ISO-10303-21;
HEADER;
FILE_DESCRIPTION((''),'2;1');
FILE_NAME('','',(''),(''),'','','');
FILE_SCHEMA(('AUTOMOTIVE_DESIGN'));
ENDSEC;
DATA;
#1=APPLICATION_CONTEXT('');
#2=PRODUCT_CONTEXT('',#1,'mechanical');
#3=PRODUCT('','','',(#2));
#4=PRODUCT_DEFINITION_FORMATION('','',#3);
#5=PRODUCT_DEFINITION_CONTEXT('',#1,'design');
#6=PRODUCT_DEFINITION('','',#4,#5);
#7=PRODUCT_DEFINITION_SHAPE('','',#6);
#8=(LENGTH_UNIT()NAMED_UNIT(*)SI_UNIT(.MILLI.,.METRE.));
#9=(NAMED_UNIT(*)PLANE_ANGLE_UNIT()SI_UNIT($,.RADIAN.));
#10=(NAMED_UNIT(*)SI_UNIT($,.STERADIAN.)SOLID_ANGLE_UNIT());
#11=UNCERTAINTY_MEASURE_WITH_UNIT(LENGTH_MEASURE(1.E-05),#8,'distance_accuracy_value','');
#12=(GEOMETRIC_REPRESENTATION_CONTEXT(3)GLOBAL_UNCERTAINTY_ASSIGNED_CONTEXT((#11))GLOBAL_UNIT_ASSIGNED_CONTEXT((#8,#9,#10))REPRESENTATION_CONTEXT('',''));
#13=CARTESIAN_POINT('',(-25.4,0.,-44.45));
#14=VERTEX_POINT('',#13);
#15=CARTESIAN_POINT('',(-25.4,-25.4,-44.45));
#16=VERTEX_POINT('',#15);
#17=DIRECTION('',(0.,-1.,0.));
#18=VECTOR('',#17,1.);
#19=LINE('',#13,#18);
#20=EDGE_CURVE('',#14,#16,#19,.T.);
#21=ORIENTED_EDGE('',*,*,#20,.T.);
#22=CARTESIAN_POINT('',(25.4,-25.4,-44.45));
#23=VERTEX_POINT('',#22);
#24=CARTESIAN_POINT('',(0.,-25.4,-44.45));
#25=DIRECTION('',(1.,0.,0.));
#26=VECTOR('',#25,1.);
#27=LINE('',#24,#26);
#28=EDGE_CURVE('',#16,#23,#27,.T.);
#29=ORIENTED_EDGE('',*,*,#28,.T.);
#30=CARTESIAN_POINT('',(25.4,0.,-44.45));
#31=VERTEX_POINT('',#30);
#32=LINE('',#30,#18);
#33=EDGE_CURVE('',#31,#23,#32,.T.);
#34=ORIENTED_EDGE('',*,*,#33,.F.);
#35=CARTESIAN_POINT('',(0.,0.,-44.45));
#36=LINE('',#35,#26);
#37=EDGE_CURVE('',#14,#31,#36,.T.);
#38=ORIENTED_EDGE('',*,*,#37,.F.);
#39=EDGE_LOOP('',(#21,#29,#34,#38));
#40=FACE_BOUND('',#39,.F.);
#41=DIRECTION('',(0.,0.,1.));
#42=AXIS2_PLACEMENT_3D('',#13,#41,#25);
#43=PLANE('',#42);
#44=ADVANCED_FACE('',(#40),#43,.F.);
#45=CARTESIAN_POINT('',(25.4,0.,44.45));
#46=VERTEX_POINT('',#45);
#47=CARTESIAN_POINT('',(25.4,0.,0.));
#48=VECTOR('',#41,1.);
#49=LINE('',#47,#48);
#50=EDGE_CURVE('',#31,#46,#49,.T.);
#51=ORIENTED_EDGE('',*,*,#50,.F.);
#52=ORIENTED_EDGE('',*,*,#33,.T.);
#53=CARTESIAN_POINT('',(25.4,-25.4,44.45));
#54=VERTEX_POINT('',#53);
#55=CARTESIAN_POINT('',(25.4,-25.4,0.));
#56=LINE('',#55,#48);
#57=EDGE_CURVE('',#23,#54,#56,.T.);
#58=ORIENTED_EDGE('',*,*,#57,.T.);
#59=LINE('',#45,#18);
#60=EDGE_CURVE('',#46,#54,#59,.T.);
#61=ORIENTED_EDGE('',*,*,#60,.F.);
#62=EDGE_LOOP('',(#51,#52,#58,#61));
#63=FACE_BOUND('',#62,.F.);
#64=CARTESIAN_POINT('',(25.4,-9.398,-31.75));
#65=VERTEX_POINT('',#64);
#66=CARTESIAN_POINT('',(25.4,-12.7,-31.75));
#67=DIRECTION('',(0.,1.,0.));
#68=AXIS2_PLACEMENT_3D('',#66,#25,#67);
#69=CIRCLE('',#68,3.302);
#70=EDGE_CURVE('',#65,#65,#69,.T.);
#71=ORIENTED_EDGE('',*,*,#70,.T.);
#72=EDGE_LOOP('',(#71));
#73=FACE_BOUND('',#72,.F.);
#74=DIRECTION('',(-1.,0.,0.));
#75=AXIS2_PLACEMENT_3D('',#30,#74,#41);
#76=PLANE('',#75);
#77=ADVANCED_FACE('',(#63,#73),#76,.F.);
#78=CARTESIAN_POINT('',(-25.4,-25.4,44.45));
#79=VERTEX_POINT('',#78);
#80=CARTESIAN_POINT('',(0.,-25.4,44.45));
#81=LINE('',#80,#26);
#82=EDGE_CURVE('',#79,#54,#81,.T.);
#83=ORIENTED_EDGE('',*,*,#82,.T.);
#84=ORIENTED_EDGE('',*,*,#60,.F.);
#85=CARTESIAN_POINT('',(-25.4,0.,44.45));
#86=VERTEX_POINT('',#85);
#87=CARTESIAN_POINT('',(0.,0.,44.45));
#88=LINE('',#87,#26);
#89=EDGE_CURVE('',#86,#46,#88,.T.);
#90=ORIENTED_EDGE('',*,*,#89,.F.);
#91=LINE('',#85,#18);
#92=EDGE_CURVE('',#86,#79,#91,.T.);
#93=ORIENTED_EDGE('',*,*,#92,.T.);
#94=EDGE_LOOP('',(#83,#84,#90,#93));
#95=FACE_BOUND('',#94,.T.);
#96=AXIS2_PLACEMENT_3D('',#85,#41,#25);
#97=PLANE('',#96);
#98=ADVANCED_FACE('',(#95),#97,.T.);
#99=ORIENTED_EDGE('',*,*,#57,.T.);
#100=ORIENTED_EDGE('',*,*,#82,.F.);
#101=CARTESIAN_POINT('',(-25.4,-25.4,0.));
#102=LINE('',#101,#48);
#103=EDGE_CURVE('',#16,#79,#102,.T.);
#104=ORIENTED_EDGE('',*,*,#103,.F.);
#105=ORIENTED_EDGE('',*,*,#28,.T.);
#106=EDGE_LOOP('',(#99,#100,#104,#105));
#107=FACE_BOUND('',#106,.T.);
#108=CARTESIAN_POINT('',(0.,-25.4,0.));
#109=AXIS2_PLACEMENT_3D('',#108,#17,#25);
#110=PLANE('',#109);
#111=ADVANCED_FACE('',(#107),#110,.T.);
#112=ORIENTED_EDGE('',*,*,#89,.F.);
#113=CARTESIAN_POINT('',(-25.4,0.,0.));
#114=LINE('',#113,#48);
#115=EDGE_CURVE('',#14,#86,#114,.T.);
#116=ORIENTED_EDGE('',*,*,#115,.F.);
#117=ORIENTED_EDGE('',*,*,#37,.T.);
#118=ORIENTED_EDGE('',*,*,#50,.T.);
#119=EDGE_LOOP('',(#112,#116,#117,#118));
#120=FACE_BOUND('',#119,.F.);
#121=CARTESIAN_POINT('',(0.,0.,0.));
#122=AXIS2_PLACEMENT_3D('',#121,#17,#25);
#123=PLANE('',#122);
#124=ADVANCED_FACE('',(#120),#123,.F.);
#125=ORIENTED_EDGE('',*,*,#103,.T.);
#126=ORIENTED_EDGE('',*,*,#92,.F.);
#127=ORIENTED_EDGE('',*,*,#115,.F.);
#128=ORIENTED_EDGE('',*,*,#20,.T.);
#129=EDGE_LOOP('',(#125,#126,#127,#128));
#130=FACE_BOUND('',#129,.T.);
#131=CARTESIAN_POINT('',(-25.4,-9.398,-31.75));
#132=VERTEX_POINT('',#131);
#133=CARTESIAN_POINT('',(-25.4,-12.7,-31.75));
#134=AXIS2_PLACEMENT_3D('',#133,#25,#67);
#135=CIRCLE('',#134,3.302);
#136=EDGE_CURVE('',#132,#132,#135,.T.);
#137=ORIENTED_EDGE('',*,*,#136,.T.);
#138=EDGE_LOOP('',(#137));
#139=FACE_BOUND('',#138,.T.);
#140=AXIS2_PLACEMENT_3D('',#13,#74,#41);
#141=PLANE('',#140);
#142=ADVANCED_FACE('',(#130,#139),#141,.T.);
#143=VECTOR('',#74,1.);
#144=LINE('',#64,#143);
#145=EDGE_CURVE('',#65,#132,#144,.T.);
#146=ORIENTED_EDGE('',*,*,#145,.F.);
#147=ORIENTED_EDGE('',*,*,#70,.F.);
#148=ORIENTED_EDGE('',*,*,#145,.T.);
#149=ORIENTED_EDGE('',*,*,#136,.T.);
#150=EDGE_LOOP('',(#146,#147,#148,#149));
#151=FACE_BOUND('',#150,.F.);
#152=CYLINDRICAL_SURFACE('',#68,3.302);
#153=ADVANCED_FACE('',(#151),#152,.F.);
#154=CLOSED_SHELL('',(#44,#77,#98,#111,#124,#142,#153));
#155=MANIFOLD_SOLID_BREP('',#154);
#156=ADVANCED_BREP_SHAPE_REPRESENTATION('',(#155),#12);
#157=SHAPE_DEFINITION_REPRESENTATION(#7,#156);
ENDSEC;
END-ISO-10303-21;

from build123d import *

# Parameters (mm, degrees)
F0_W     = 50.8
F0_H     = 88.9
F1_DEPTH = 25.4
F2_R     = 3.302
F3_DEPTH = 50.801


with BuildPart() as f1:
    # F0 (on Front) → F1 (new body)
    with BuildSketch(Plane.XZ):
        Rectangle(F0_W, F0_H)
    extrude(amount=F1_DEPTH)

    # F2 (on face) → F3 (cut, through all)
    with BuildSketch(Plane.YZ.offset(25.4)):
        with Locations((-12.7, -31.75)):
            Circle(F2_R)
    extrude(amount=-F3_DEPTH, mode=Mode.SUBTRACT)


solid = f1.part
